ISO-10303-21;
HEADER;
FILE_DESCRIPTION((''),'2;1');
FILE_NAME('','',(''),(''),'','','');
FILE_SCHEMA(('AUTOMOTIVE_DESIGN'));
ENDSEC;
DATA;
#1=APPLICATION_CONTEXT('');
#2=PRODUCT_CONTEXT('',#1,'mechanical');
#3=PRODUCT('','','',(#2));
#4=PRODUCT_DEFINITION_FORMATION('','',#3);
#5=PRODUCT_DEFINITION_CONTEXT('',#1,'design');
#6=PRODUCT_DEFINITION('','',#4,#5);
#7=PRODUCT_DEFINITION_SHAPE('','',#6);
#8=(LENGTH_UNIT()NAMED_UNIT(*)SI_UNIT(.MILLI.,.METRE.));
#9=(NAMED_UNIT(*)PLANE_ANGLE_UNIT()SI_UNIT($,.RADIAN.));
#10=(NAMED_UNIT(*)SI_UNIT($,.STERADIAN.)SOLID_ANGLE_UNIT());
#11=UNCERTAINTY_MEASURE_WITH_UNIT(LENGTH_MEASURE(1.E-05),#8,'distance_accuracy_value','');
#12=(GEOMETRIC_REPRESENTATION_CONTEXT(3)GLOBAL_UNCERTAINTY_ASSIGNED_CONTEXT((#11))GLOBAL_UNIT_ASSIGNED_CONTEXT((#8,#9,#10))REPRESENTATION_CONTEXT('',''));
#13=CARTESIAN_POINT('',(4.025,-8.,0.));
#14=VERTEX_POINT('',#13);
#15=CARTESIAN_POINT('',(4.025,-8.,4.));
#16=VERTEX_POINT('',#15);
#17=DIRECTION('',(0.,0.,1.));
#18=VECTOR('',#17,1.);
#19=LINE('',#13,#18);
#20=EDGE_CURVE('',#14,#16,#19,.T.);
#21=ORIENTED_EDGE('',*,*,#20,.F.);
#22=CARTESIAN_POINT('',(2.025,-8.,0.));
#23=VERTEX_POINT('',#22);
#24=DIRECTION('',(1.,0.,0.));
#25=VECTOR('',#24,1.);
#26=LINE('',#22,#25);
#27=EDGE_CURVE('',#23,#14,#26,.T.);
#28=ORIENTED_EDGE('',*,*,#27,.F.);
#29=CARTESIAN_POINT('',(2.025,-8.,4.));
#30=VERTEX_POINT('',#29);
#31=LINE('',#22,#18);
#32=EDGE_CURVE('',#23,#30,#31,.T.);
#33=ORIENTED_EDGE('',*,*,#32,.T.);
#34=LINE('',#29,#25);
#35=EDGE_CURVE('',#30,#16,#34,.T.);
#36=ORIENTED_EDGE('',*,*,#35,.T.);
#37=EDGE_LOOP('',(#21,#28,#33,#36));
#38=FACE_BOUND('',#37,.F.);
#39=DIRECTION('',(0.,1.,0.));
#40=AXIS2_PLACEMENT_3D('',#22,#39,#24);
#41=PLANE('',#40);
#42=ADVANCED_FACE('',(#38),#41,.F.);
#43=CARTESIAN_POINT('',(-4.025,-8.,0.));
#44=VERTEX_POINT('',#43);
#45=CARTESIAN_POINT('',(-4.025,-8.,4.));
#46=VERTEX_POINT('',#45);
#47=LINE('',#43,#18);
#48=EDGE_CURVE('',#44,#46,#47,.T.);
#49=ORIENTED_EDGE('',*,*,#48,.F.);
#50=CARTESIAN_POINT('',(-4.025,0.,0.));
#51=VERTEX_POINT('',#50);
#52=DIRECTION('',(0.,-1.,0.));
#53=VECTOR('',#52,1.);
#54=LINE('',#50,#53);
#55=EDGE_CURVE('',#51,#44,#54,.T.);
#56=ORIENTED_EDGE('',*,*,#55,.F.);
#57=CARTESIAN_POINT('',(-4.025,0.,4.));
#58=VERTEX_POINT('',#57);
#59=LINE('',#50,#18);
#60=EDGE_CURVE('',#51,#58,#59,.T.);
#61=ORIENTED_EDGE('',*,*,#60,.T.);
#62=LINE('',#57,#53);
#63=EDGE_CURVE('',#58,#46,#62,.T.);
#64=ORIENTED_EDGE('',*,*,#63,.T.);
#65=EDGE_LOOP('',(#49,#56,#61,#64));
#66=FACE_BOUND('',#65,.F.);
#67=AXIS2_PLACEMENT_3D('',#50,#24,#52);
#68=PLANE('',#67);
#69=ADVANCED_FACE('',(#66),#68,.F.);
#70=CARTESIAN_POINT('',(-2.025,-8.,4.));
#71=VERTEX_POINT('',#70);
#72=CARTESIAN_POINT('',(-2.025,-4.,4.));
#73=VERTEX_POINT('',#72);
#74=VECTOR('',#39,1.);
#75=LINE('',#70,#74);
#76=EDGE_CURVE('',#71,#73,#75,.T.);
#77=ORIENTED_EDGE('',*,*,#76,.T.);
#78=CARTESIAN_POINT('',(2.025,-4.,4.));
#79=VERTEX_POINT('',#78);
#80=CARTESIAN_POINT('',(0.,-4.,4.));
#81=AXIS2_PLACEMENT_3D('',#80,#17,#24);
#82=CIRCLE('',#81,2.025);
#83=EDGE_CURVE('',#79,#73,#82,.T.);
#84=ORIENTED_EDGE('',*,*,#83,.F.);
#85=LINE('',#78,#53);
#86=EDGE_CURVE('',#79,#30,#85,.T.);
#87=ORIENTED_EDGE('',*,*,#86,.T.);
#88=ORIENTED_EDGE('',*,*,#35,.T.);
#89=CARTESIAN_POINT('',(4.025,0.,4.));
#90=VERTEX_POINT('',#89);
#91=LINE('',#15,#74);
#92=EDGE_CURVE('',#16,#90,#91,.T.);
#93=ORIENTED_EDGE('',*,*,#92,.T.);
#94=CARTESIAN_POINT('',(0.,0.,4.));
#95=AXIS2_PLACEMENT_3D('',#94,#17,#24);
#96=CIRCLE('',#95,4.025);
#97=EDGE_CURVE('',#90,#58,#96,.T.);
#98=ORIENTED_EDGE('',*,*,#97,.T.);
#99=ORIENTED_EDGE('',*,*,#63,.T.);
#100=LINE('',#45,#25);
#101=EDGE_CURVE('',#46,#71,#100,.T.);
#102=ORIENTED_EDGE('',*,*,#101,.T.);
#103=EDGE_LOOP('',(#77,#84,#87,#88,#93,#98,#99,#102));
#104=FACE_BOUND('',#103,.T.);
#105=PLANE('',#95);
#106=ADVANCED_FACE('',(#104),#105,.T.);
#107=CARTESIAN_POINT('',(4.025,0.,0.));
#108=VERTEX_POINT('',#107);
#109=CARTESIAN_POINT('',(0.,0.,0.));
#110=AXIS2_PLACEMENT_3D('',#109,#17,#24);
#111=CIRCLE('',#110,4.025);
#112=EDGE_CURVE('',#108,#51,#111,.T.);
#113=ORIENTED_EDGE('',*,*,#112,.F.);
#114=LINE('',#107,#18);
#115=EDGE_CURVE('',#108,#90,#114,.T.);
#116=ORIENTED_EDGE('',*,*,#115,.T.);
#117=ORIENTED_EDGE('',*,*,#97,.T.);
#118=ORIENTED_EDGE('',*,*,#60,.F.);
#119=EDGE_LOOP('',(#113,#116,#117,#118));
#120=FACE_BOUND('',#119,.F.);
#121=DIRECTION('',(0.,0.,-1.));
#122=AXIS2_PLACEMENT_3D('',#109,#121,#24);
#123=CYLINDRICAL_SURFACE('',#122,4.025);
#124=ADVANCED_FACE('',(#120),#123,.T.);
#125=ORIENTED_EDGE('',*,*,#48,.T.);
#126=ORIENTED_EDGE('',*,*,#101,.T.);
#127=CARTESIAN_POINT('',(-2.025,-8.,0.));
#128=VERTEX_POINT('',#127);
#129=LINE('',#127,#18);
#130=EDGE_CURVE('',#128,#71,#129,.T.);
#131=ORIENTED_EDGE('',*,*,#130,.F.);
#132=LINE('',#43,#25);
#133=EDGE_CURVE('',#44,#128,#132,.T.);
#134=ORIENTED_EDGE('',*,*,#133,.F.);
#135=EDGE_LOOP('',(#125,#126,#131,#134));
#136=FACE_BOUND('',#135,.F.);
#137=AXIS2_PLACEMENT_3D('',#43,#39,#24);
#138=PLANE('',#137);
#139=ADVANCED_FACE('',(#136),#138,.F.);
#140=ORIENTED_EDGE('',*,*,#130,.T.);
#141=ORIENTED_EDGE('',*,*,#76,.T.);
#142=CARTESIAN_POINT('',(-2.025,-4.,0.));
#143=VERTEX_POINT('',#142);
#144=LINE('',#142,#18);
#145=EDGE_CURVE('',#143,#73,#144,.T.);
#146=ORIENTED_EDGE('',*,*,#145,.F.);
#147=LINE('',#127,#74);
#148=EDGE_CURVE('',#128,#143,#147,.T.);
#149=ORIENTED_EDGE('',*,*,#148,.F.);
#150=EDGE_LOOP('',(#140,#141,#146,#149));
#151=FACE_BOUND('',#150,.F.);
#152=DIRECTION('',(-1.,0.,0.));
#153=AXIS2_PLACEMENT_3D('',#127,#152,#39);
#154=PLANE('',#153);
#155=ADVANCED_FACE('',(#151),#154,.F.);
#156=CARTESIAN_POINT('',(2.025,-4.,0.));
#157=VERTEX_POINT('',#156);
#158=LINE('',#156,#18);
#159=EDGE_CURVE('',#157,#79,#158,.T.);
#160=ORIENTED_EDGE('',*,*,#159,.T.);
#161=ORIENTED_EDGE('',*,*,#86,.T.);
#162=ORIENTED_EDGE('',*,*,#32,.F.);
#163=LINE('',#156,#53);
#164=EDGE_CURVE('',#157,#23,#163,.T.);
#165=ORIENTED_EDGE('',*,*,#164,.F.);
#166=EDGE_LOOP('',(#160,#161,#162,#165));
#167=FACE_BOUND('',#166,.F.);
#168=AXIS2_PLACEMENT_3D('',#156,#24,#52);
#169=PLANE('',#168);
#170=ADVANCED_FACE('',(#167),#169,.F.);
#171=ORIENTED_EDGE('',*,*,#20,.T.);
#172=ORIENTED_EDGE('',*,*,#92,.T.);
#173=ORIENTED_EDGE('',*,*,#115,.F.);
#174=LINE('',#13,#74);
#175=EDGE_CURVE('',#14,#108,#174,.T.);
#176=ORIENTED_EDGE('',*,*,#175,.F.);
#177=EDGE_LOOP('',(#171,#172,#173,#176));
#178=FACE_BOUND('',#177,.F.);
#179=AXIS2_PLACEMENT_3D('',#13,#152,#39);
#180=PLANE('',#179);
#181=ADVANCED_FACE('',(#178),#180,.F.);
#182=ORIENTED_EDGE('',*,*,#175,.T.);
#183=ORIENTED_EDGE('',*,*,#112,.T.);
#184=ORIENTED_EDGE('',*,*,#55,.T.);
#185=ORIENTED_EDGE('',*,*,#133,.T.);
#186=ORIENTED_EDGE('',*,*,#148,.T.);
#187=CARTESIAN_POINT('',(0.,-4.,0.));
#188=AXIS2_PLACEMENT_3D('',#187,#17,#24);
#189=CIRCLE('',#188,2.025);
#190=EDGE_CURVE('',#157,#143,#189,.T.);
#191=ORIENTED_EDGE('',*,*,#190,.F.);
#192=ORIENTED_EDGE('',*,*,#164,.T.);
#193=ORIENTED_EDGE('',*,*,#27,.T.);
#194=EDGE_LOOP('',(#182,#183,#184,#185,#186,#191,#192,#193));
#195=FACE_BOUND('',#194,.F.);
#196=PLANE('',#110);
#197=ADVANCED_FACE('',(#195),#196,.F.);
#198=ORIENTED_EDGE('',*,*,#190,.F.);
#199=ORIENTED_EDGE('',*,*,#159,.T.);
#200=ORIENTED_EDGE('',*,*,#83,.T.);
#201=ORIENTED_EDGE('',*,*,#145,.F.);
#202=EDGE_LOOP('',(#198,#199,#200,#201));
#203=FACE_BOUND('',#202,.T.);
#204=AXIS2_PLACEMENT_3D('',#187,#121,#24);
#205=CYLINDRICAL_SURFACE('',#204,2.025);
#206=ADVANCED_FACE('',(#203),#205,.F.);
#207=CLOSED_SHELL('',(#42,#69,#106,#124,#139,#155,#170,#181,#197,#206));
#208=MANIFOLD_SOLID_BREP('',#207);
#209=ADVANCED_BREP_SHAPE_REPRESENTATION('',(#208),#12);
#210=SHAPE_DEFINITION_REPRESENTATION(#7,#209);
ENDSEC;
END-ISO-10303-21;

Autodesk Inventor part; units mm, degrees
ref_plane "YZ Plane" through (0, 0, 0) normal (1, 0, 0) x (0, 1, 0)
ref_plane "XZ Plane" through (0, 0, 0) normal (0, 1, 0) x (-1, 0, 0)
ref_plane "XY Plane" through (0, 0, 0) normal (0, 0, 1) x (1, 0, 0)
sketch "Sketch1" plane through (0, 0, 0) normal (0, 0, 1) x (1, 0, 0)
  line L0 (-4.025, 0) -> (-4.025, -8)
  line L1 (-4.025, -8) -> (-2.025, -8)
  line L2 (-2.025, -8) -> (-2.025, -4)
  line L3 (2.025, -4) -> (2.025, -8)
  line L4 (2.025, -8) -> (4.025, -8)
  line L5 (4.025, -8) -> (4.025, 0)
  arc A0 (4.025, 0) -> (-4.025, 0) centre (0, 0) ccw
  arc A1 (2.025, -4) -> (-2.025, -4) centre (0, -4) ccw
  dimension "d0" = 4.05
  dimension "d1" = 8
  dimension "d3" = 2
  dimension "d4" = 4
extrude "Extrusion1" add sketch "Sketch1" along normal blind 4
properties part number "nub"
